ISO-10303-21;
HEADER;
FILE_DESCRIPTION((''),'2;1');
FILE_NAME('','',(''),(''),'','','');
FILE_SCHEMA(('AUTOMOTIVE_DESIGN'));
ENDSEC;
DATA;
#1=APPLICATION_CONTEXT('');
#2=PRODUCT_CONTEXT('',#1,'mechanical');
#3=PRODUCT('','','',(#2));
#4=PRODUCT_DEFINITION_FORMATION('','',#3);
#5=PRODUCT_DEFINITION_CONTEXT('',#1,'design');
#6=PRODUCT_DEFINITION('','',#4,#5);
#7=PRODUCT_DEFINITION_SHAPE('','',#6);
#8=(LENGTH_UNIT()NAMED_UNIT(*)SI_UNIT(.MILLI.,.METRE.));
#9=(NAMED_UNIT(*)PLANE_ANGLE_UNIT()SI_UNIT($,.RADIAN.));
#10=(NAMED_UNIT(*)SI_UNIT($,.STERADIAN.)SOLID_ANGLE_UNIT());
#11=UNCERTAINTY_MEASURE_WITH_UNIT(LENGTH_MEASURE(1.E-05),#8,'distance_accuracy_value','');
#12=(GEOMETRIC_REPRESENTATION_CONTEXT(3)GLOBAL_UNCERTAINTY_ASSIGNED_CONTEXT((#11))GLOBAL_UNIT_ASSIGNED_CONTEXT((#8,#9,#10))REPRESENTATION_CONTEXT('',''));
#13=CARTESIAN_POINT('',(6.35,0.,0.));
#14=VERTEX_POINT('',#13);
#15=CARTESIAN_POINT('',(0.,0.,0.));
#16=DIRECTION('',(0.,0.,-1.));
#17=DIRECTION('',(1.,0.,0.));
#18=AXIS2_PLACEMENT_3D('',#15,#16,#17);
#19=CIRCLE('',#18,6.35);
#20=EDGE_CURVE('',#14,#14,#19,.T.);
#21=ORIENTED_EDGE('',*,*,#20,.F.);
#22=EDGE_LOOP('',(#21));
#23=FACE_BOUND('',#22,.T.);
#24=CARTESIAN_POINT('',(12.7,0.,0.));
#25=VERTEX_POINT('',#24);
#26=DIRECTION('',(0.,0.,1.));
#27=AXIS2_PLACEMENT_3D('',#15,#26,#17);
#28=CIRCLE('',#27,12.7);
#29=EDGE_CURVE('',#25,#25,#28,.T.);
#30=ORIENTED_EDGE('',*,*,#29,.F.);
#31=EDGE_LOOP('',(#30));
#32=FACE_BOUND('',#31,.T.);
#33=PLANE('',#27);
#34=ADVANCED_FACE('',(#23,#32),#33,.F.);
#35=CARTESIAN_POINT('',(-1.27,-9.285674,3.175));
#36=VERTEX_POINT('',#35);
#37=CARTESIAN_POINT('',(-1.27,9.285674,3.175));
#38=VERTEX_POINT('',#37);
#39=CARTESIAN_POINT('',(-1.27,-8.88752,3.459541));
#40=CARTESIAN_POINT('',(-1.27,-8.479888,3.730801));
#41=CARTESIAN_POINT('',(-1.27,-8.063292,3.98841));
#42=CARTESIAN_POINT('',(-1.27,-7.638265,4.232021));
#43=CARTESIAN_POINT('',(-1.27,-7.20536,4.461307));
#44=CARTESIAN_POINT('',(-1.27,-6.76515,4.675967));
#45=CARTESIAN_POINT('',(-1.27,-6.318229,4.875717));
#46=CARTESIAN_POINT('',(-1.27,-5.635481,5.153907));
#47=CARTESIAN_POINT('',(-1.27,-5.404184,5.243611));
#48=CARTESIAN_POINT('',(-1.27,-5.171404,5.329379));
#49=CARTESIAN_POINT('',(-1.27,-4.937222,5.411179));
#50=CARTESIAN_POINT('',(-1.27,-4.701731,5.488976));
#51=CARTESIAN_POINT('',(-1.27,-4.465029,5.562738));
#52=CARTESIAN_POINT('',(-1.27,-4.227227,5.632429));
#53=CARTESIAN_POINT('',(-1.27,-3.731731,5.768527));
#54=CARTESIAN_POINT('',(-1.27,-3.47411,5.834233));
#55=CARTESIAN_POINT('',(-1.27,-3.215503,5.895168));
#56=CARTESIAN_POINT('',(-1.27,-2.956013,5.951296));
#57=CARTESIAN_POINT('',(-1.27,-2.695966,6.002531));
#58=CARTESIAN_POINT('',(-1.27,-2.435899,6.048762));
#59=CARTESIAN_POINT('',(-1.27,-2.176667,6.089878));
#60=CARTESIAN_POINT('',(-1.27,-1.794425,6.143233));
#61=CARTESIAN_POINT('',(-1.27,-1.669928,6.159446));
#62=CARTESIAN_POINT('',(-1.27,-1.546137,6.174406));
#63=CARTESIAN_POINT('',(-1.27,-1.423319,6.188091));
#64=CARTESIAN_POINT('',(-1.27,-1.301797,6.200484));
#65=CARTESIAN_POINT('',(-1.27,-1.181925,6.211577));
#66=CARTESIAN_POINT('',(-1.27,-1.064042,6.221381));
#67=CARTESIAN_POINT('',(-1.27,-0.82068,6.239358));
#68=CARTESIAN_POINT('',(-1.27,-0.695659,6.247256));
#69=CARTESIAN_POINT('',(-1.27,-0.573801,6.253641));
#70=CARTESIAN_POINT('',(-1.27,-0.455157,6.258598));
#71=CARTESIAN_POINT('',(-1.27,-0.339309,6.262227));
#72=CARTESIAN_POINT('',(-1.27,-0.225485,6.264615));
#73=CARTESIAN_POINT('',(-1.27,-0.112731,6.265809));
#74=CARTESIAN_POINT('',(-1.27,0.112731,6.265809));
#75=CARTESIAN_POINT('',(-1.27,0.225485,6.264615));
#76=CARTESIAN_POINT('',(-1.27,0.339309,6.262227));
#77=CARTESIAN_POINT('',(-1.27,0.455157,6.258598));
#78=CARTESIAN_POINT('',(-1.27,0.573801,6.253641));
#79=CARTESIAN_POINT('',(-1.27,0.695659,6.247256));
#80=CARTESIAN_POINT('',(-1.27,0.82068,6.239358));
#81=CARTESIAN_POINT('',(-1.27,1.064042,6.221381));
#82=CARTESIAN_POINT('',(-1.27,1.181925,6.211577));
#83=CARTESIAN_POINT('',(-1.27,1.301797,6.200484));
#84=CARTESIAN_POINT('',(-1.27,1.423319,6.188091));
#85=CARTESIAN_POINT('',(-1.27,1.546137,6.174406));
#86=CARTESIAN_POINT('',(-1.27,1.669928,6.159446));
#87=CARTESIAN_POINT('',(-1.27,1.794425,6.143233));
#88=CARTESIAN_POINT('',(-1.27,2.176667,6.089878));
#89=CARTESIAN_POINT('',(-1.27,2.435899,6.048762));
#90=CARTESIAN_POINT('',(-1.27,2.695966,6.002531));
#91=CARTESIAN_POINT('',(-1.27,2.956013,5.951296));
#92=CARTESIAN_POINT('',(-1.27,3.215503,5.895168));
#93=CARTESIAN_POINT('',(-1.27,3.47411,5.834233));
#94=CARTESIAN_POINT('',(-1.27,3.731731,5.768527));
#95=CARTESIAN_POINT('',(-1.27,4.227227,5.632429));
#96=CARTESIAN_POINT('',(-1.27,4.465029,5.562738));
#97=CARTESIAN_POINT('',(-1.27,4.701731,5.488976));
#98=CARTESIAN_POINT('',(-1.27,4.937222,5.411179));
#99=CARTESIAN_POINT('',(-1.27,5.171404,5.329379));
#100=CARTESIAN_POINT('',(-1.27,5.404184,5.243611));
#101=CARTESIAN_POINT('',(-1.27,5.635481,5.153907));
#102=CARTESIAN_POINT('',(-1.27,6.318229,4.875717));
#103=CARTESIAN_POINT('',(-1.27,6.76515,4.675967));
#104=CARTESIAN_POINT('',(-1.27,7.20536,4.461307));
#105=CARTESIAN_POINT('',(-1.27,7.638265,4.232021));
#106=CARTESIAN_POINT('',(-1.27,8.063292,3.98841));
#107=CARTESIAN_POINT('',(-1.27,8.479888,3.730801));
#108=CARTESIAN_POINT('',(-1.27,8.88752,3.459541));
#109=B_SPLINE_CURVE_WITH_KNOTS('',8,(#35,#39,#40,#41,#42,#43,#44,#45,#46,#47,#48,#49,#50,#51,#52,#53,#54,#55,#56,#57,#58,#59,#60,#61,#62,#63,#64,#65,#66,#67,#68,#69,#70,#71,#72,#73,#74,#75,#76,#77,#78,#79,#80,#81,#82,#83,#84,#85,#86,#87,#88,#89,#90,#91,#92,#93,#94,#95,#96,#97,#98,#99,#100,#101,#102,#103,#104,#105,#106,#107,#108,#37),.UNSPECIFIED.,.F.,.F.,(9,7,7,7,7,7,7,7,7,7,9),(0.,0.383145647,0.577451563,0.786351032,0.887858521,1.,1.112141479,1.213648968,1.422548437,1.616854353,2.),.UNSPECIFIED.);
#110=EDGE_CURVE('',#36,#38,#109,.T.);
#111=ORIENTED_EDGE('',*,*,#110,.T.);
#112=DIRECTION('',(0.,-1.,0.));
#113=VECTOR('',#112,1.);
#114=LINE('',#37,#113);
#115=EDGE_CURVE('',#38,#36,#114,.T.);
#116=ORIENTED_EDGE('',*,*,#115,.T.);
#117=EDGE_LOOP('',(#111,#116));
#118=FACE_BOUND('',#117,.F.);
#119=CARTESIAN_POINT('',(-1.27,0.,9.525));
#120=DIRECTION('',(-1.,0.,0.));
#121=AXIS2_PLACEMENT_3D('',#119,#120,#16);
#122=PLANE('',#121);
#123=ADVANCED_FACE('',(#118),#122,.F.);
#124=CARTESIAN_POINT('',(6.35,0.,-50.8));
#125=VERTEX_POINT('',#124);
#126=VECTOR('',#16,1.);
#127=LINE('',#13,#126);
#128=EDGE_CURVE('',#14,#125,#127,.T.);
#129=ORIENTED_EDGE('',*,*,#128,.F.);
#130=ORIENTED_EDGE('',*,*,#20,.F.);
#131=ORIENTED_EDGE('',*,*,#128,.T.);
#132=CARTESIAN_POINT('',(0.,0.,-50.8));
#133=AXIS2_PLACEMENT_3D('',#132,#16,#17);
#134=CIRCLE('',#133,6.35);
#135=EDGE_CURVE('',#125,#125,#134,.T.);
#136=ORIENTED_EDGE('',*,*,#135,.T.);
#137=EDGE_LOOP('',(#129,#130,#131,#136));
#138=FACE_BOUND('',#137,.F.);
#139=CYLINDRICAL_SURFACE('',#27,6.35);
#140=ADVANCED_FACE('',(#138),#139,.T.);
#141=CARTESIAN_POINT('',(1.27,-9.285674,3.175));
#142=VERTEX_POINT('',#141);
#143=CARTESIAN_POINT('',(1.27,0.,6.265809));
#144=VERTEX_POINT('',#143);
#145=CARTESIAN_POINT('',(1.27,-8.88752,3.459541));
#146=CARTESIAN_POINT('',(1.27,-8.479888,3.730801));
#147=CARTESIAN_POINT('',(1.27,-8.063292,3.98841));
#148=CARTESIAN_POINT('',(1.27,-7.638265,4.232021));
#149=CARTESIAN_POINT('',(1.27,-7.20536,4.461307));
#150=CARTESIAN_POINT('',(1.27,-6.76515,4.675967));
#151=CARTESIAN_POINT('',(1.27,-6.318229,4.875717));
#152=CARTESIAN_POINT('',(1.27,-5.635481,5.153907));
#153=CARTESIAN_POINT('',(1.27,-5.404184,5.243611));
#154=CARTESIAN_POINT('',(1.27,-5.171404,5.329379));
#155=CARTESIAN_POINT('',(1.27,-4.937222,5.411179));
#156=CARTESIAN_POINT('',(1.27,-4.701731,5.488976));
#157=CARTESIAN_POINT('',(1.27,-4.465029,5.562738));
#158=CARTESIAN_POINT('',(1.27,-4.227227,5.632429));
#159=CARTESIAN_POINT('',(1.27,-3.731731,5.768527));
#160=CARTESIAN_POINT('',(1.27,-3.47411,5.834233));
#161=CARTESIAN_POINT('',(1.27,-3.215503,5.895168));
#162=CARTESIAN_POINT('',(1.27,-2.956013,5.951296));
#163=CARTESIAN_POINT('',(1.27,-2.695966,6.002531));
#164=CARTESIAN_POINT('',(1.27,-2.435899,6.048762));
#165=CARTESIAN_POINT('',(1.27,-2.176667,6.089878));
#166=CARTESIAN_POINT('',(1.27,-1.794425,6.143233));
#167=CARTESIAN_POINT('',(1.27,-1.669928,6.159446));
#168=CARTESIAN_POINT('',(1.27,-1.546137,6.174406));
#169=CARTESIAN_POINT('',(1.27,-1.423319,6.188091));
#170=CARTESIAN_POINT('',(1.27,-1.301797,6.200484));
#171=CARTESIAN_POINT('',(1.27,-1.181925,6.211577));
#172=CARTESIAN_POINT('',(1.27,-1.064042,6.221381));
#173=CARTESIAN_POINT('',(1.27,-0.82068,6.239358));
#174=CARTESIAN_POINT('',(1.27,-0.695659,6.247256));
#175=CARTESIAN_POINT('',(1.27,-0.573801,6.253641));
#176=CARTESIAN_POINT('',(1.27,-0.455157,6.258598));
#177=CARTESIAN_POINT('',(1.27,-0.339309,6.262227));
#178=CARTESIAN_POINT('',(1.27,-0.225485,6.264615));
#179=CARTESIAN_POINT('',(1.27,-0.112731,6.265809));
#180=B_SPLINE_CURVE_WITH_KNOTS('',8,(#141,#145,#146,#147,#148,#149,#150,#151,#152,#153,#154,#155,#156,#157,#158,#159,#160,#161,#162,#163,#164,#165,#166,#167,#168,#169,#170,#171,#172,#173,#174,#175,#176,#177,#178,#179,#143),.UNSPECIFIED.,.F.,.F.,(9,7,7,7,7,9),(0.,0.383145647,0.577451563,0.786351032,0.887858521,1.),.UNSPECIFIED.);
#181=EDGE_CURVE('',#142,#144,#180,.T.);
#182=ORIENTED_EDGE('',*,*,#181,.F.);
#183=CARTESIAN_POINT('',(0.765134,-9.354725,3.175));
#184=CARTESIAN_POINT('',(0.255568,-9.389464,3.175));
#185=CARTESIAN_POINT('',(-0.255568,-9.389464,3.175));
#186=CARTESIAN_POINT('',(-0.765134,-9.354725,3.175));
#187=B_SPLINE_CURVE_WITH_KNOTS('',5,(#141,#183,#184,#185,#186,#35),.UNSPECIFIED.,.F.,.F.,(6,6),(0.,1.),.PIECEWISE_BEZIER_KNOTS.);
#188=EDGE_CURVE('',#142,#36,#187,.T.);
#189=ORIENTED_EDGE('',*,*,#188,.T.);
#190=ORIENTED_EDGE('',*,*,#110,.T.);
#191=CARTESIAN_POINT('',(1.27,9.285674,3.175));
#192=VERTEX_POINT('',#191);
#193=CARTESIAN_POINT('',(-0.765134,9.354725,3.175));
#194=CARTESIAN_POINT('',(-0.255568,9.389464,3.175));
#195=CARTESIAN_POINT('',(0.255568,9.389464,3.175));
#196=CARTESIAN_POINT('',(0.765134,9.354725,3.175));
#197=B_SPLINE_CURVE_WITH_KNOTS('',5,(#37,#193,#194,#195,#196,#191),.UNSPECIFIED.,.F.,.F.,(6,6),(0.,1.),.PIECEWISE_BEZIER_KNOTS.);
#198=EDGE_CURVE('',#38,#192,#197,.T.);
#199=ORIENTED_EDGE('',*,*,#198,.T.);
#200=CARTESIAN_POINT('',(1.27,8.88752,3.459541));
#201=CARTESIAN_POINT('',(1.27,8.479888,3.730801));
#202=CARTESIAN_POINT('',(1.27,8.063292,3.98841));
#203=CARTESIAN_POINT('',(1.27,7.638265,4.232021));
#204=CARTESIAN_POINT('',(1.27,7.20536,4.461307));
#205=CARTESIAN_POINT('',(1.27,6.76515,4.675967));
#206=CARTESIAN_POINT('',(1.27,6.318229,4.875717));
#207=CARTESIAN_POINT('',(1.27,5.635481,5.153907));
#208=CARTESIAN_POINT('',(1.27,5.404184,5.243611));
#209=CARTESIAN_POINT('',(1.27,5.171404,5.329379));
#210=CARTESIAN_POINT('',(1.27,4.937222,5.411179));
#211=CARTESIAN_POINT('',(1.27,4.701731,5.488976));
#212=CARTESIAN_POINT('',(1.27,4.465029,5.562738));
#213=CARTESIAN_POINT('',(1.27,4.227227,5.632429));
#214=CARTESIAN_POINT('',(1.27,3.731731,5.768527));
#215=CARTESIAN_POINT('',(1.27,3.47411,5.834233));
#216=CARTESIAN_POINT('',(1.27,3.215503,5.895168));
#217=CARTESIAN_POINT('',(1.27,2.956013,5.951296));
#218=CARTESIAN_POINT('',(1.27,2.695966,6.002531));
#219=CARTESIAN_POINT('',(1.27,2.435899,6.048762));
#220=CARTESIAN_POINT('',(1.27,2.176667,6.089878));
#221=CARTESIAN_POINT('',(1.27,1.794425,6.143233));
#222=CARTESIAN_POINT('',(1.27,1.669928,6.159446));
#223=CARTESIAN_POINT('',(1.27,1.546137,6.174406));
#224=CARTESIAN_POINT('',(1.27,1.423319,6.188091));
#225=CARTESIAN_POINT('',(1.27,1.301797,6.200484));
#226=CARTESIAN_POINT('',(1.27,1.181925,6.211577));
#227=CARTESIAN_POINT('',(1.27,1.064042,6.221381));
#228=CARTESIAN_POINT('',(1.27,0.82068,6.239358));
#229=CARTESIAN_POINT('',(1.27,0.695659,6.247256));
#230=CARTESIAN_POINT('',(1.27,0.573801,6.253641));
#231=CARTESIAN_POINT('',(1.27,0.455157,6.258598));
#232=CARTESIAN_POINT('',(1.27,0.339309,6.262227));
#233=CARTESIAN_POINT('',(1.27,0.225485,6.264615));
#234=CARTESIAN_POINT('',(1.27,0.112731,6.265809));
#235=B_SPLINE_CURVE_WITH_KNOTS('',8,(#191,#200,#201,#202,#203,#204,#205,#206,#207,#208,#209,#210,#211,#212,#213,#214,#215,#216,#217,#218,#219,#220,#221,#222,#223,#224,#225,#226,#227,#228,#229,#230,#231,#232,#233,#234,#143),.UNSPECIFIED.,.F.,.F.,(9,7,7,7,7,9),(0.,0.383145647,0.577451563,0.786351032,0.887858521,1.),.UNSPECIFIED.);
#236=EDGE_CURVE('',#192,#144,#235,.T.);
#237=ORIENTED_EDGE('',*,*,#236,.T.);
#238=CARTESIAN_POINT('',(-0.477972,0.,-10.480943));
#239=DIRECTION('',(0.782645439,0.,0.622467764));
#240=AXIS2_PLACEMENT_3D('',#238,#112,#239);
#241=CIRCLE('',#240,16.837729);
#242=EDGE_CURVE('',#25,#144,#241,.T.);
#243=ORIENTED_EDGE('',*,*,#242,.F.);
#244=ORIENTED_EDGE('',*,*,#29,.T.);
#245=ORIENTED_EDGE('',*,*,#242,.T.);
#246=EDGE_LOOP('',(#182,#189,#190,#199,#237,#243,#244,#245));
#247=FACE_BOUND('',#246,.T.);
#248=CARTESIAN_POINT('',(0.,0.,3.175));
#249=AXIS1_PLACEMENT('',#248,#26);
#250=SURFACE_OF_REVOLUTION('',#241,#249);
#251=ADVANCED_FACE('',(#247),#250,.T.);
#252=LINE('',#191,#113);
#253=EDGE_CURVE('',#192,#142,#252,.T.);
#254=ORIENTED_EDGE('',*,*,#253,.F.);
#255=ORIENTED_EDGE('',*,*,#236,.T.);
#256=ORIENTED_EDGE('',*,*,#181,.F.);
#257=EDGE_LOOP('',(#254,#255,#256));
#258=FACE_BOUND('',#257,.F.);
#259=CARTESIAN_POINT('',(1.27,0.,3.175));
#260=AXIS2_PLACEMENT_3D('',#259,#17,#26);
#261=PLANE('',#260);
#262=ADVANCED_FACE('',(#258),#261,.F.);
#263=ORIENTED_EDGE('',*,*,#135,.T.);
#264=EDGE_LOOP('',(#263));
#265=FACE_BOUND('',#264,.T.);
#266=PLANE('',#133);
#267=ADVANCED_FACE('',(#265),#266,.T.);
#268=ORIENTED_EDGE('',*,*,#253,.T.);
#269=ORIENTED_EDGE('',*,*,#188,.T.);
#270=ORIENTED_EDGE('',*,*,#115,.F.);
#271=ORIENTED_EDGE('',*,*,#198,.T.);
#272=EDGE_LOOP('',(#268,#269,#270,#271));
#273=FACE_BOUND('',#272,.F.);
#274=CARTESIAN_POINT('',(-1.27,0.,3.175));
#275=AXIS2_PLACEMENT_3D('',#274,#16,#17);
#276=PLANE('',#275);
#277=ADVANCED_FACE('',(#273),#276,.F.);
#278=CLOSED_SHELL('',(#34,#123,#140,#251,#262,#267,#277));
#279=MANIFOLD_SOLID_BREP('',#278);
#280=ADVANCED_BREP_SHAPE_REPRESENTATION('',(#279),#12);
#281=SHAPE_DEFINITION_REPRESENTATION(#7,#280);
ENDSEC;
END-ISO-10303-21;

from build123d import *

# Parameters (mm, degrees)
F2_DEPTH = 12.7
F3_R     = 6.35
F4_DEPTH = 50.8


with BuildPart() as f1:
    # F0 (on Front) → F1 (revolve)
    with BuildSketch(Plane.XZ):
        with BuildLine():
            Line((0, 3.175), (0, 0))
            Line((0, 0), (12.7, 0))
            ThreePointArc((12.7, 0), (7.6159171285, 4.2838145072), (1.27, 6.2658087489))
            Line((1.27, 6.2658087489), (1.27, 3.175))
            Line((1.27, 3.175), (0, 3.175))
        make_face()
    revolve(axis=Axis((0, 0, 3.175), (0, 0, 1)))

    # F0 (on Front) → F2 (cut, symmetric)
    with BuildSketch(Plane.XZ):
        with BuildLine():
            Line((-1.27, 3.175), (0, 3.175))
            Line((0, 3.175), (0, 6.35))
            ThreePointArc((0, 6.35), (0.6357958012, 6.3199087984), (1.27, 6.2658087489))
            Line((1.27, 6.2658087489), (1.27, 9.525))
            Line((1.27, 9.525), (-1.27, 9.525))
            Line((-1.27, 9.525), (-1.27, 3.175))
        make_face()
        with BuildLine():
            Line((0, 6.35), (0, 3.175))
            Line((0, 3.175), (1.27, 3.175))
            Line((1.27, 3.175), (1.27, 6.2658087489))
            ThreePointArc((1.27, 6.2658087489), (0.6357958012, 6.3199087984), (0, 6.35))
        make_face()
    extrude(amount=F2_DEPTH, both=True, mode=Mode.SUBTRACT)

    # F3 (on face) → F4 (join)
    with BuildSketch(Plane(origin=(0, 0, 0), x_dir=(1, 0, 0), z_dir=(0, 0, -1))):
        Circle(F3_R)
    extrude(amount=F4_DEPTH)


solid = f1.part
